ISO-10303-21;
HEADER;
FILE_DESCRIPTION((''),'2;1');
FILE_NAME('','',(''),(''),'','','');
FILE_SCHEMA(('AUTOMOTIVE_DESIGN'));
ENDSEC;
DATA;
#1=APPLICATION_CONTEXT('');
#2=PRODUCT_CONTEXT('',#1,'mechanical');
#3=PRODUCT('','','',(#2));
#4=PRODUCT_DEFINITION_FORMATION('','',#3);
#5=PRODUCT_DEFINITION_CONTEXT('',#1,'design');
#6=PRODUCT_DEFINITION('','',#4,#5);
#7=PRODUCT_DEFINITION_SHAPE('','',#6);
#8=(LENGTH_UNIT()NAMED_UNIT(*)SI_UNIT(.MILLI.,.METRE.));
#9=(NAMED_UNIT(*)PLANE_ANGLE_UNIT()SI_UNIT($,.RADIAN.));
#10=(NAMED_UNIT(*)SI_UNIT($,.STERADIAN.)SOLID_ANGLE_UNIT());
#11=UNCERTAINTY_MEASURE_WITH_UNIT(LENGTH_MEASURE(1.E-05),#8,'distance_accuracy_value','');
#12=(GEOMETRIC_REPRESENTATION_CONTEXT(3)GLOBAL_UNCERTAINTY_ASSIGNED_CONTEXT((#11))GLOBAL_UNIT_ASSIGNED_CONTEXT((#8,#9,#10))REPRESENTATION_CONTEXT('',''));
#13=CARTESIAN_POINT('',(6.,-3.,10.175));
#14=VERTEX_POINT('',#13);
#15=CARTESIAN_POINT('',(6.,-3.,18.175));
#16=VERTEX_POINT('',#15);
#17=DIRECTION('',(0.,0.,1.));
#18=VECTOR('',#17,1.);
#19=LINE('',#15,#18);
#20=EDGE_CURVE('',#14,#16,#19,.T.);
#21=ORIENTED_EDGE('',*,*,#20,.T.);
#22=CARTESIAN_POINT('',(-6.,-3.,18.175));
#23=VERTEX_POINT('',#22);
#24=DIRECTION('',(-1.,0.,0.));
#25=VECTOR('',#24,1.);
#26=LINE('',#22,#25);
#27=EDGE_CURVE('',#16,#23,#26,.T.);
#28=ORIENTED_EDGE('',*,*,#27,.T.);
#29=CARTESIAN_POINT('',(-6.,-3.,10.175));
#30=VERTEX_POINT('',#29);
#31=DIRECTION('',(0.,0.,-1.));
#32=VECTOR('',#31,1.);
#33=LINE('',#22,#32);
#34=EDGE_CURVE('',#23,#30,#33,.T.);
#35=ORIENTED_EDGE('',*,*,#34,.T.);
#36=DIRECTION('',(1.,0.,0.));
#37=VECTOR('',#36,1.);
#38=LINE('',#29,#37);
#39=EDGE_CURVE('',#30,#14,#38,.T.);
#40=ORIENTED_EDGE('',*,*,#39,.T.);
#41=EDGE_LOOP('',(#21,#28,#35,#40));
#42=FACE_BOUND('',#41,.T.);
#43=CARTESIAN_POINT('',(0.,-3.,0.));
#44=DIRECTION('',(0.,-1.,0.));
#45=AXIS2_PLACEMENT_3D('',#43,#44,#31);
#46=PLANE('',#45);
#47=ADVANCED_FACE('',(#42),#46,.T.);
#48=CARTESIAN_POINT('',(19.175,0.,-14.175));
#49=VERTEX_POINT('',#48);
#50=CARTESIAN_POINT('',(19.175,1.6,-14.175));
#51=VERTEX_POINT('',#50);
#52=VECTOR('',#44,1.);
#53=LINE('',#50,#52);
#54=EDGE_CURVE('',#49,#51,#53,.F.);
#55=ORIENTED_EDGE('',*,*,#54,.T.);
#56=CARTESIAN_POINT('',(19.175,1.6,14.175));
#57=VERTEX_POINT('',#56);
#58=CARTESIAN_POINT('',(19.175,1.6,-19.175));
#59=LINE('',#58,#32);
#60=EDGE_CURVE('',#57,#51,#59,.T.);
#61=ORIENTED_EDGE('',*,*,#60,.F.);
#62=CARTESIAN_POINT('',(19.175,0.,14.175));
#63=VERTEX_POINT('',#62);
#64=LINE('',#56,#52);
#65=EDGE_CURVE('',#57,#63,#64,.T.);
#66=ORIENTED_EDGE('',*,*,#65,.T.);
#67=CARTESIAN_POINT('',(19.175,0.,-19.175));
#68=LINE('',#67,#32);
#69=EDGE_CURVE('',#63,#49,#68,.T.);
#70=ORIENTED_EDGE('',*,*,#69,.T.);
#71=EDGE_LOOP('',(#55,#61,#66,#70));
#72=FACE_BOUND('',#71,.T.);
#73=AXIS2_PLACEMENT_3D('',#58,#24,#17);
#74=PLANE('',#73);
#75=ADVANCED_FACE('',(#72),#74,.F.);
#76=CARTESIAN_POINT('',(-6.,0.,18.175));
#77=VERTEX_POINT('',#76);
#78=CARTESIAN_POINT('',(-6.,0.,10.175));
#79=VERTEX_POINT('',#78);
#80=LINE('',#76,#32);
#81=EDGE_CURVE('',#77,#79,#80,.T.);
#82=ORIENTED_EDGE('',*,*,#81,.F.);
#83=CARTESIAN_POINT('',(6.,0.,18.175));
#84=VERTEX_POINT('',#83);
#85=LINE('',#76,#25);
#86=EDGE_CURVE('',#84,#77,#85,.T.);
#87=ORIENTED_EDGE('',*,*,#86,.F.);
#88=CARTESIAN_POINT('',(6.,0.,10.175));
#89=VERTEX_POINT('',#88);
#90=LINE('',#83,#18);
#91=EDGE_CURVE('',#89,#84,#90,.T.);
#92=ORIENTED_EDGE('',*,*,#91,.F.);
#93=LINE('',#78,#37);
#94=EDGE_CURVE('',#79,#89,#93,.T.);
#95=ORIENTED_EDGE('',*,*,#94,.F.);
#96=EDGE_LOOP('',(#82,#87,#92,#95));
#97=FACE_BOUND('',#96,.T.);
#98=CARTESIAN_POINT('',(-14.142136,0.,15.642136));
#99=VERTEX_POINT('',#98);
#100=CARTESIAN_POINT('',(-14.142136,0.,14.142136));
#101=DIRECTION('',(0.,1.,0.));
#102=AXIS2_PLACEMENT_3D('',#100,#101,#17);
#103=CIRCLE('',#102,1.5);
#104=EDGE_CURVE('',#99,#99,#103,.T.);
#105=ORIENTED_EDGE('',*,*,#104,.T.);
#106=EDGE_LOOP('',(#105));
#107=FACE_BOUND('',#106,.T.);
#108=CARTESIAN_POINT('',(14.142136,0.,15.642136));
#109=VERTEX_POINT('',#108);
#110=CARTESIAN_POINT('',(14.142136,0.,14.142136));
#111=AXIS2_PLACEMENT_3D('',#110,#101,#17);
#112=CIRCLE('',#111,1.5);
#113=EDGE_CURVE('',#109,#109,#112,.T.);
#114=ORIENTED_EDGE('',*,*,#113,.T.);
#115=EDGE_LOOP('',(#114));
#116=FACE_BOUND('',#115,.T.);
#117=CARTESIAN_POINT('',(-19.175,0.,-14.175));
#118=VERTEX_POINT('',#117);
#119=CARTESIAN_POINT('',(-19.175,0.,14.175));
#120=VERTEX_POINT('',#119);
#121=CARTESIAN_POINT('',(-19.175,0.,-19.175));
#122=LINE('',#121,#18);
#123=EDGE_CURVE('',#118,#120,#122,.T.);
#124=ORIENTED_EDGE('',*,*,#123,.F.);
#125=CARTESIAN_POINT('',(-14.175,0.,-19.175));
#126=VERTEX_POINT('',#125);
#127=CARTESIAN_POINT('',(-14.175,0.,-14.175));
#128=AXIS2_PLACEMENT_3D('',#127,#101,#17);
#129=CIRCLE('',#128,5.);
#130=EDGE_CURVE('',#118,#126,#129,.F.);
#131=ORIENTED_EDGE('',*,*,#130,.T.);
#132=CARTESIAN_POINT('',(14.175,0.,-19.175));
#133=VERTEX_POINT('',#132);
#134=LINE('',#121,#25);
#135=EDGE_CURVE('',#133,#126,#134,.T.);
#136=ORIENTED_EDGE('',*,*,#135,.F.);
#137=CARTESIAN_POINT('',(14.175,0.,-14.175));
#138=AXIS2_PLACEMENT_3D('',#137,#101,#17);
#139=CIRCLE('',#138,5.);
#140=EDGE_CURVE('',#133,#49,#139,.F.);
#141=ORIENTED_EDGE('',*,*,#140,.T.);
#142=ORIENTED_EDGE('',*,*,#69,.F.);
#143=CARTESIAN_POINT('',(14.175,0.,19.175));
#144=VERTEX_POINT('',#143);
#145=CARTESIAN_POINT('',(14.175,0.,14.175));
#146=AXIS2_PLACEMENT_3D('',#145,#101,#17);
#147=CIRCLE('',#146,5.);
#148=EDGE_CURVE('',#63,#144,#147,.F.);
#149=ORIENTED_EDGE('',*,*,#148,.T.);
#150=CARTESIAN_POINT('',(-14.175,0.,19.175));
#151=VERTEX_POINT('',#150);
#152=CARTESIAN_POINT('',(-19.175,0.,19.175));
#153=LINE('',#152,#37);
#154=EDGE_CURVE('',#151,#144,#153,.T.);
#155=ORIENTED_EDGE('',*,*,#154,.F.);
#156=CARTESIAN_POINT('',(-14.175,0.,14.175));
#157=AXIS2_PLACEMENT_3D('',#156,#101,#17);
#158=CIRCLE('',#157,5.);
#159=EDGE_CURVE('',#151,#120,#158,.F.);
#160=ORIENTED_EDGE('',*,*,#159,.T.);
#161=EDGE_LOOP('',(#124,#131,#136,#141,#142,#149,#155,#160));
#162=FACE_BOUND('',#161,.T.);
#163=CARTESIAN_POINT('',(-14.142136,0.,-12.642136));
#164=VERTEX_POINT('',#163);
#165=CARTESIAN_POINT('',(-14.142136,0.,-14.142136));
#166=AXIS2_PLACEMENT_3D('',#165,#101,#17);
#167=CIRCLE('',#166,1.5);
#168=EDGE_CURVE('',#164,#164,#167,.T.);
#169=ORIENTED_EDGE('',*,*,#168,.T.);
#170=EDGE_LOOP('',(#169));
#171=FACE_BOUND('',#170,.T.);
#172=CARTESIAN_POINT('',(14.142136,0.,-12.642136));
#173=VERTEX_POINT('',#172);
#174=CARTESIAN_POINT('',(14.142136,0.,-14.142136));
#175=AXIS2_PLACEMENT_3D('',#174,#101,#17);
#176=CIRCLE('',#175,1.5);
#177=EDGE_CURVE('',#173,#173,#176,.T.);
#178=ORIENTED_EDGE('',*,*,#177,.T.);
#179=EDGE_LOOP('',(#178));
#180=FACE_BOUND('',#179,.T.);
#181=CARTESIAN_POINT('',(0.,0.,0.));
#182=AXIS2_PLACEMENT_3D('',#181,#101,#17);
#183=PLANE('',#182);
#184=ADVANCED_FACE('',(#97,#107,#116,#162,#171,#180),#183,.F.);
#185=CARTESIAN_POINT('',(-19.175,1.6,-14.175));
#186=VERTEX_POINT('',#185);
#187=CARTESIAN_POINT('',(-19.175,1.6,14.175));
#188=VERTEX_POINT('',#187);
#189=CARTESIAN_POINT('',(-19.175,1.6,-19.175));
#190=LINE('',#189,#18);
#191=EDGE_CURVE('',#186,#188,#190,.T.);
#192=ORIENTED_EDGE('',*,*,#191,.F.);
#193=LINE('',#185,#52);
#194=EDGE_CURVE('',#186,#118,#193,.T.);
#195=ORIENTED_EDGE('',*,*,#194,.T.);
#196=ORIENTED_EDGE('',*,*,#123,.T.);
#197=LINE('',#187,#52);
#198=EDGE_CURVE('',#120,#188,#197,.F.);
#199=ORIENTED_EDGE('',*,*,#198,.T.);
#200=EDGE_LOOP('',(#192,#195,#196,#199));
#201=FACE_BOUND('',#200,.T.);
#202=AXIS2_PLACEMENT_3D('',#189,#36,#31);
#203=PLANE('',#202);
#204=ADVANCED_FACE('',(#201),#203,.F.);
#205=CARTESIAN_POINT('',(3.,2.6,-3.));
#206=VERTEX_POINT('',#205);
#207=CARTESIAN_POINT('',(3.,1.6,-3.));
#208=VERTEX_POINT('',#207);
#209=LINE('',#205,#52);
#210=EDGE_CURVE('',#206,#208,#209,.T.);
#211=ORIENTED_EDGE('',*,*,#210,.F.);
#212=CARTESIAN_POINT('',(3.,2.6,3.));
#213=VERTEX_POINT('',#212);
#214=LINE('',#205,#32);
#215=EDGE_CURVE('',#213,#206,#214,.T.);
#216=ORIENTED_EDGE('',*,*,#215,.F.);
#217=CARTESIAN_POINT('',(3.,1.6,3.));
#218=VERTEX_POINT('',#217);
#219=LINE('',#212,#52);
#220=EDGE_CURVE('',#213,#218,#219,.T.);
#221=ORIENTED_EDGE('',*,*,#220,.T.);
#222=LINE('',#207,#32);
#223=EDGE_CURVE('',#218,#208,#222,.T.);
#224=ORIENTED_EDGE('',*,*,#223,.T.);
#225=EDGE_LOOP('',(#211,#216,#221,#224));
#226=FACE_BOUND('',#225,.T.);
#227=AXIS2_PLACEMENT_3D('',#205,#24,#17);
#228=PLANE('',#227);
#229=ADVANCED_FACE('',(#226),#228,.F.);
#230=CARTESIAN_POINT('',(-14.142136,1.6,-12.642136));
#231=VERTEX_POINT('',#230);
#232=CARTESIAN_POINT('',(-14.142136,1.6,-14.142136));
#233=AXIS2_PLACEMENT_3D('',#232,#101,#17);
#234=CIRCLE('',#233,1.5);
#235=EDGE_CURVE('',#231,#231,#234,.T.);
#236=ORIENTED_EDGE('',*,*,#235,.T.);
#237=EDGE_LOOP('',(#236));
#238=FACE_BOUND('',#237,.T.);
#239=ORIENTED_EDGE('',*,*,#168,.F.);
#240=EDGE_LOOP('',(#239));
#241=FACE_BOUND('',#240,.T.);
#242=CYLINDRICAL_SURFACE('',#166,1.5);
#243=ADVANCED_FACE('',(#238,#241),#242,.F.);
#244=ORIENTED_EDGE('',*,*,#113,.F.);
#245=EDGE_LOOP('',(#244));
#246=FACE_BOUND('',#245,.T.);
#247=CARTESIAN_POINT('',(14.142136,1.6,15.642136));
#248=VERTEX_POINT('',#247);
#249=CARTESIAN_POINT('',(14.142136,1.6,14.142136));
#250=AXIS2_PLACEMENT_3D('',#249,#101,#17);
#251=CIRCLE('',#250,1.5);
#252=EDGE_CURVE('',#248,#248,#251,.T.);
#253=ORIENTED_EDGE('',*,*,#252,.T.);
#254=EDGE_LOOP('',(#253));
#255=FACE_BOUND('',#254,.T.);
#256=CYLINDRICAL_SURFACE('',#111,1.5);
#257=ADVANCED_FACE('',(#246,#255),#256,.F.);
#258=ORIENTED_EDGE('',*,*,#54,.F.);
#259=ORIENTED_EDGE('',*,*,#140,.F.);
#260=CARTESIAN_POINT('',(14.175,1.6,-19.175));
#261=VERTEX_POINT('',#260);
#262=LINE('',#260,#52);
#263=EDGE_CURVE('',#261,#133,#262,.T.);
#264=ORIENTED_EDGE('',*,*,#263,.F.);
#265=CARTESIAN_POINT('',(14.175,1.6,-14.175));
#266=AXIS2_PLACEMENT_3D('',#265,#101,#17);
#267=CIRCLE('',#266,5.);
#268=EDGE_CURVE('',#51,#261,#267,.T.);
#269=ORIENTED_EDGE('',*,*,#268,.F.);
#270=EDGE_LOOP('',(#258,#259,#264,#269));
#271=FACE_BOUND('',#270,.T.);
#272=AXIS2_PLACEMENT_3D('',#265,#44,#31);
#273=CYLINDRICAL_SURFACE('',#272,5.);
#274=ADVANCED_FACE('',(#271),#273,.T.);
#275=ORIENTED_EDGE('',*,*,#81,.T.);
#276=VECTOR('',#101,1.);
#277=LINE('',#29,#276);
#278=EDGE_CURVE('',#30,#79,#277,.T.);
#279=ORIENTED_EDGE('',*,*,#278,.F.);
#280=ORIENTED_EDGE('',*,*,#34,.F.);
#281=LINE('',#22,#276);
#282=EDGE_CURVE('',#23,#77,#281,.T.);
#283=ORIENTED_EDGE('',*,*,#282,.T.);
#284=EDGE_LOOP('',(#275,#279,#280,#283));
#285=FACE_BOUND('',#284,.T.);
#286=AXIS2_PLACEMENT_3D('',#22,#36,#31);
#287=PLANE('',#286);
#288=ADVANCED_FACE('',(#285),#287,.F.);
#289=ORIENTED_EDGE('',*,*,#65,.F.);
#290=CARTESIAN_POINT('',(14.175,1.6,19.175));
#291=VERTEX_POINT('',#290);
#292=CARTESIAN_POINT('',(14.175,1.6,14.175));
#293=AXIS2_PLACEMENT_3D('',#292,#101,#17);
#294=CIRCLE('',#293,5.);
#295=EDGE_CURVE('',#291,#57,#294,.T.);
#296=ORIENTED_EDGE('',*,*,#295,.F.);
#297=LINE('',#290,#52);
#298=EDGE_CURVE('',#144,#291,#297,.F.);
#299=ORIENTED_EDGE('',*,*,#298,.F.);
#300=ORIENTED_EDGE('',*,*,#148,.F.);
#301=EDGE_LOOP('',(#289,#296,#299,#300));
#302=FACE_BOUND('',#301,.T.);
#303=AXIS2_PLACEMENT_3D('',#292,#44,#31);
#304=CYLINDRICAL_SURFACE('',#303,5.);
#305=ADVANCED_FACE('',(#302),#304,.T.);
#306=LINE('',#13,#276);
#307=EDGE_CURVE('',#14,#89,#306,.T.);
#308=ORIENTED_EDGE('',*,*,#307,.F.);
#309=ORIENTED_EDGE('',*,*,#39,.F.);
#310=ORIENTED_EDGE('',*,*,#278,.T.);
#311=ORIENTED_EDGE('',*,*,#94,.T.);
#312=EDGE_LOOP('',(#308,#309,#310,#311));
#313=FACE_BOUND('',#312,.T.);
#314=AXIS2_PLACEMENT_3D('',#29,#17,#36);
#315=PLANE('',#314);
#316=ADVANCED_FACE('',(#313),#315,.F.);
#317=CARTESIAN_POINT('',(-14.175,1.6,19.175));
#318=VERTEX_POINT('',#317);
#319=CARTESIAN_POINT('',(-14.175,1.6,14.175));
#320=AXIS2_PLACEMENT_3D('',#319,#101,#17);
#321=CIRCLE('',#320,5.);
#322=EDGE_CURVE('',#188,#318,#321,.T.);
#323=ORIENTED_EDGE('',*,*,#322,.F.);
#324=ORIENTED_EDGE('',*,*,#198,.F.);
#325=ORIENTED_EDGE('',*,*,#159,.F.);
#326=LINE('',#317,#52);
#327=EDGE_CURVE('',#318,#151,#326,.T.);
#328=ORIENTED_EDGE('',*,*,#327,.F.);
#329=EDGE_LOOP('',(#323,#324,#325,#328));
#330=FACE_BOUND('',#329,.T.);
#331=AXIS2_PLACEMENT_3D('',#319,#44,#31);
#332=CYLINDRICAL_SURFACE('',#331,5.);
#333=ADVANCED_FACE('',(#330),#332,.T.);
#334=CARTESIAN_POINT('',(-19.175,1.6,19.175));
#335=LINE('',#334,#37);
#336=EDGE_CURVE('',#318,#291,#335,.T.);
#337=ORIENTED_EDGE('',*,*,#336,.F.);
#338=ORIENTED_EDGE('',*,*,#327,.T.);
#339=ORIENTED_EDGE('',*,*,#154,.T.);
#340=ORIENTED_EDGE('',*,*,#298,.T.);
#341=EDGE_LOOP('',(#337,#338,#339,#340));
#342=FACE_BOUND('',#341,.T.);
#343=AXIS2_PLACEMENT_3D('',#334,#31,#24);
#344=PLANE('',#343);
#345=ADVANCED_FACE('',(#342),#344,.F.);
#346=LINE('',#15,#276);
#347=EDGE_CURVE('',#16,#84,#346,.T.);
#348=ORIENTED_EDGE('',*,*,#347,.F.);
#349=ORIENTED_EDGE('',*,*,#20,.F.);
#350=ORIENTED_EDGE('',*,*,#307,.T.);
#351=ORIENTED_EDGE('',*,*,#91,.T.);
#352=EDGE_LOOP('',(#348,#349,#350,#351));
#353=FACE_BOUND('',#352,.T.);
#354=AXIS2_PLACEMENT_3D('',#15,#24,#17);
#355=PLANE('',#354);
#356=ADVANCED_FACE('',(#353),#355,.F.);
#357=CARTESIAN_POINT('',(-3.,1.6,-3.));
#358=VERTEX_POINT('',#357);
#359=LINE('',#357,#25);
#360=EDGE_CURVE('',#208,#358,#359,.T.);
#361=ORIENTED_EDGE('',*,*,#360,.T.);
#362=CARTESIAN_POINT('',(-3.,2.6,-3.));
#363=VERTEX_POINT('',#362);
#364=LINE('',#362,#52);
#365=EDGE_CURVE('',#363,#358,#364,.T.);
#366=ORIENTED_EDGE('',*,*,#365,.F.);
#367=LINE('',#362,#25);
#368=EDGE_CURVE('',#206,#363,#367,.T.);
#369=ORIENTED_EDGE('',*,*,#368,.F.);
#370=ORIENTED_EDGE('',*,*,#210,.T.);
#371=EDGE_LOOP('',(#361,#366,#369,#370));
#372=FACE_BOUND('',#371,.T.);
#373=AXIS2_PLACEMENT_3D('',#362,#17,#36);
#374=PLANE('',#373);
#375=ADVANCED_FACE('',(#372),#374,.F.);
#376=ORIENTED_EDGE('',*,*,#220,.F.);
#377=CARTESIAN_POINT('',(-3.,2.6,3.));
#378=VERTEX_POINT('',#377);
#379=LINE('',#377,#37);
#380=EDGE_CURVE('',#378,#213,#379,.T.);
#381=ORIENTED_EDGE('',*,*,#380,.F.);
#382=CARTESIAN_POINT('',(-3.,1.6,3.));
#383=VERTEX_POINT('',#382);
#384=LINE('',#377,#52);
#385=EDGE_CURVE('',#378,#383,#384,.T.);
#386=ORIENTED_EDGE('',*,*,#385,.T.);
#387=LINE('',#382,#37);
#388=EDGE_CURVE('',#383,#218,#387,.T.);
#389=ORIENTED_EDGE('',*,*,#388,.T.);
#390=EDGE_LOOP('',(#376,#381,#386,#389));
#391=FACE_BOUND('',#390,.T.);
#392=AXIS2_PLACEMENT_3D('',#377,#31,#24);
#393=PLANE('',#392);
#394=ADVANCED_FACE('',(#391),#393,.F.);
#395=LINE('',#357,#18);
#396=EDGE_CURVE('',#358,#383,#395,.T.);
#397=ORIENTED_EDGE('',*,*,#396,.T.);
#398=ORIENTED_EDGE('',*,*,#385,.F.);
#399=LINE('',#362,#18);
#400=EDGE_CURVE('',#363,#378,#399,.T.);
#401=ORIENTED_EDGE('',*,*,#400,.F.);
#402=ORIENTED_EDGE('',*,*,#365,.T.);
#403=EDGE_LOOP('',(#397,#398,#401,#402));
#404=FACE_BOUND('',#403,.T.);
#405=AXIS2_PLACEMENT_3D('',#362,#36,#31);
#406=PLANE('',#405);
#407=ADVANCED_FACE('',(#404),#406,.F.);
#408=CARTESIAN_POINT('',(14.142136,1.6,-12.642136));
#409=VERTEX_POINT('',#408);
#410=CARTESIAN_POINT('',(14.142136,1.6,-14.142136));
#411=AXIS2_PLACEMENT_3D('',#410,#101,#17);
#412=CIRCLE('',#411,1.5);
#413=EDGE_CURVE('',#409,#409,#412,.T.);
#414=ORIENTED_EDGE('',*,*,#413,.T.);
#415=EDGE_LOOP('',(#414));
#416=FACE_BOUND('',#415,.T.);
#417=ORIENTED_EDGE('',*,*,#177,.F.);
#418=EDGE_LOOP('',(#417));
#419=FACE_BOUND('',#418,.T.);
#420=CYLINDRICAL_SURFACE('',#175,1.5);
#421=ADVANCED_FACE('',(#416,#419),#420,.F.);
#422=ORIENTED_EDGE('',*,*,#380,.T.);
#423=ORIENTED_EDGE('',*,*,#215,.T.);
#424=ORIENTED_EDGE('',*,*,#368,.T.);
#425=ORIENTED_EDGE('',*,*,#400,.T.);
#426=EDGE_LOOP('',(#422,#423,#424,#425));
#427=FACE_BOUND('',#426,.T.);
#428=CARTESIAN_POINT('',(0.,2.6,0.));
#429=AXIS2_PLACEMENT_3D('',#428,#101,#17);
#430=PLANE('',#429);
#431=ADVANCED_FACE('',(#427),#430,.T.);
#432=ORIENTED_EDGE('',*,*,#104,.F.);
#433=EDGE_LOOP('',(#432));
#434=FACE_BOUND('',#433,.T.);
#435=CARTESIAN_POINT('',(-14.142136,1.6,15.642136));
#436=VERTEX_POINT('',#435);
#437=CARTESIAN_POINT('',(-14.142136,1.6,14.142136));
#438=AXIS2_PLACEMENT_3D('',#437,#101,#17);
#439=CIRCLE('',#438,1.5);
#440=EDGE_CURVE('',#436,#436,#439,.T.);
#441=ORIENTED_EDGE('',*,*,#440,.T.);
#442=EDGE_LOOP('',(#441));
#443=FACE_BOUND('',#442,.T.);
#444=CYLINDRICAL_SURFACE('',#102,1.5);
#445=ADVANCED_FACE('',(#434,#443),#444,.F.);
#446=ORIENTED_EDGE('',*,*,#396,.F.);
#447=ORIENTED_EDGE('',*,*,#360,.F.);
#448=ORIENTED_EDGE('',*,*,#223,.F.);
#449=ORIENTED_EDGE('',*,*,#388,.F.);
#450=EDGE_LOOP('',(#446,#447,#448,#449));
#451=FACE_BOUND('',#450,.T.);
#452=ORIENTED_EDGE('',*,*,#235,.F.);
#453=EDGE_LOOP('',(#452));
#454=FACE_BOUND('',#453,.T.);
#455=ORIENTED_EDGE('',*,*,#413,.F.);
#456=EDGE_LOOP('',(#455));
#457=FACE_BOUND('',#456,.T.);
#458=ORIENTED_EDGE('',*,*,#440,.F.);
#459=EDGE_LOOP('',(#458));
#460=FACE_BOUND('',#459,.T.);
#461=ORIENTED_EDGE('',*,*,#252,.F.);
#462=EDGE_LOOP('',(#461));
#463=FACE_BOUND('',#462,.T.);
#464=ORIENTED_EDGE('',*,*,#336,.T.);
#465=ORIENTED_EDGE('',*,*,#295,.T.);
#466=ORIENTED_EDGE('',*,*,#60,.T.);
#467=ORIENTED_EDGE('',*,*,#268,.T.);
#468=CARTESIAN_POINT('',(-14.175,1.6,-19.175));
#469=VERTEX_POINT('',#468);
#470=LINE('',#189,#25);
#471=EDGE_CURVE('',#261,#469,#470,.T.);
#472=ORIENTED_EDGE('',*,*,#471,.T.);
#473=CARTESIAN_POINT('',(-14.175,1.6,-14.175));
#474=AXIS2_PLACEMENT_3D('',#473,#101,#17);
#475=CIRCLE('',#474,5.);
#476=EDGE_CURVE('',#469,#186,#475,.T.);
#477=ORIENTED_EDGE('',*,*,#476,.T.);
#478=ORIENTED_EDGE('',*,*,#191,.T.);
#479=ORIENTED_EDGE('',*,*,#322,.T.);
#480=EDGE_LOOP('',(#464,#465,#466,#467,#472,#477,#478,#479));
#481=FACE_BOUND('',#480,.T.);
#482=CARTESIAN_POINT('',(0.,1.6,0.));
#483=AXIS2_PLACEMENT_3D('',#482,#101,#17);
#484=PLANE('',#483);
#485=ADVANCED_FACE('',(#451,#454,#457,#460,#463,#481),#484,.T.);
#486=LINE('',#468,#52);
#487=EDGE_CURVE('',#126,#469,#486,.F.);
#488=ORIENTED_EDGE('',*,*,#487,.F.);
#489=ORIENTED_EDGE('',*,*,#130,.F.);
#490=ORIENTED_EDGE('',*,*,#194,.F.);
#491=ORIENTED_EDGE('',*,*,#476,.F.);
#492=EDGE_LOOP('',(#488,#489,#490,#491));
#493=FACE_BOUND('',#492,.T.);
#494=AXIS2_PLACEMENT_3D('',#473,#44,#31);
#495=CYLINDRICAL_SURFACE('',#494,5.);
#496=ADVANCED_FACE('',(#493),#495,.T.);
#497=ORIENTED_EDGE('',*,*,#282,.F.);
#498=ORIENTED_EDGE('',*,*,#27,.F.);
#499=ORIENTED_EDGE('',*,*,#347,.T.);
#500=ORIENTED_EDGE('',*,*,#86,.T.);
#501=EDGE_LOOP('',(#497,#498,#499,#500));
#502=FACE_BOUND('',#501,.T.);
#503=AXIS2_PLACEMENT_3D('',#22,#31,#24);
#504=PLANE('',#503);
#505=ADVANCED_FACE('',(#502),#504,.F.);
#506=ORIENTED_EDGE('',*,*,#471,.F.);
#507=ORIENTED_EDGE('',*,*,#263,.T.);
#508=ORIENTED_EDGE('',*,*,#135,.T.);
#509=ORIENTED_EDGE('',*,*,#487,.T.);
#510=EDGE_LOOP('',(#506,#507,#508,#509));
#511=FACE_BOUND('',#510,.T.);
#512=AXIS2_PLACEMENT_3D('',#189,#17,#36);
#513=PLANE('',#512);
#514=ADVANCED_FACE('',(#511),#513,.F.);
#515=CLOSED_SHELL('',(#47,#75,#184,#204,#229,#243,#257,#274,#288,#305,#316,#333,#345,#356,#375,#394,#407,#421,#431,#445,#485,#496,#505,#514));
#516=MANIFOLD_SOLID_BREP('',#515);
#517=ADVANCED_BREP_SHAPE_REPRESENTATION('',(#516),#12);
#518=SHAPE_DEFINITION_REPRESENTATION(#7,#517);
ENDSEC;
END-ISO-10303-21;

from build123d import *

# Parameters (mm, degrees)
SKETCH1_W           = 38.35
SKETCH1_H           = 38.35
BOSS_EXTRUDE1_DEPTH = 1.6
FILLET1_R           = 5
SKETCH2_R           = 1.5
CUT_EXTRUDE1_DEPTH  = 1.6
SKETCH3_W           = 6
SKETCH3_H           = 6
BOSS_EXTRUDE2_DEPTH = 1
SKETCH4_W           = 12
SKETCH4_H           = 8
BOSS_EXTRUDE3_DEPTH = 3


with BuildPart() as part:
    # Sketch1 → Boss-Extrude1 (new body)
    with BuildSketch(Plane(origin=(0, 0, 0), x_dir=(1, 0, 0), z_dir=(0, 1, 0))):
        Rectangle(SKETCH1_W, SKETCH1_H)
    extrude(amount=BOSS_EXTRUDE1_DEPTH)

    # Fillet1
    fillet1_edges = [part.edges().sort_by_distance(p)[0] for p in [
        (19.175, 0.8, 19.175),
        (-19.175, 0.8, 19.175),
        (-19.175, 0.8, -19.175),
        (19.175, 0.8, -19.175),
    ]]
    fillet(fillet1_edges, radius=FILLET1_R)

    # Sketch2 → Cut-Extrude1 (cut)
    with BuildSketch(Plane(origin=(0, 1.6, 0), x_dir=(1, 0, 0), z_dir=(0, 1, 0))):
        with Locations(Location((-14.142135624, 14.142135624, 0), (0, 0, 270))):
            Circle(SKETCH2_R)
        with Locations(Location((14.142135624, 14.142135624, 0), (0, 0, 270))):
            Circle(SKETCH2_R)
        with Locations(Location((-14.142135624, -14.142135624, 0), (0, 0, 270))):
            Circle(SKETCH2_R)
        with Locations(Location((14.142135624, -14.142135624, 0), (0, 0, 270))):
            Circle(SKETCH2_R)
    extrude(amount=-CUT_EXTRUDE1_DEPTH, mode=Mode.SUBTRACT)

    # Sketch3 → Boss-Extrude2 (add)
    with BuildSketch(Plane(origin=(0, 1.6, 0), x_dir=(1, 0, 0), z_dir=(0, 1, 0))):
        Rectangle(SKETCH3_W, SKETCH3_H)
    extrude(amount=BOSS_EXTRUDE2_DEPTH)

    # Sketch4 → Boss-Extrude3 (add)
    with BuildSketch(Plane.XZ):
        with Locations((0, 14.175)):
            Rectangle(SKETCH4_W, SKETCH4_H)
    extrude(amount=BOSS_EXTRUDE3_DEPTH)


solid = part.part
